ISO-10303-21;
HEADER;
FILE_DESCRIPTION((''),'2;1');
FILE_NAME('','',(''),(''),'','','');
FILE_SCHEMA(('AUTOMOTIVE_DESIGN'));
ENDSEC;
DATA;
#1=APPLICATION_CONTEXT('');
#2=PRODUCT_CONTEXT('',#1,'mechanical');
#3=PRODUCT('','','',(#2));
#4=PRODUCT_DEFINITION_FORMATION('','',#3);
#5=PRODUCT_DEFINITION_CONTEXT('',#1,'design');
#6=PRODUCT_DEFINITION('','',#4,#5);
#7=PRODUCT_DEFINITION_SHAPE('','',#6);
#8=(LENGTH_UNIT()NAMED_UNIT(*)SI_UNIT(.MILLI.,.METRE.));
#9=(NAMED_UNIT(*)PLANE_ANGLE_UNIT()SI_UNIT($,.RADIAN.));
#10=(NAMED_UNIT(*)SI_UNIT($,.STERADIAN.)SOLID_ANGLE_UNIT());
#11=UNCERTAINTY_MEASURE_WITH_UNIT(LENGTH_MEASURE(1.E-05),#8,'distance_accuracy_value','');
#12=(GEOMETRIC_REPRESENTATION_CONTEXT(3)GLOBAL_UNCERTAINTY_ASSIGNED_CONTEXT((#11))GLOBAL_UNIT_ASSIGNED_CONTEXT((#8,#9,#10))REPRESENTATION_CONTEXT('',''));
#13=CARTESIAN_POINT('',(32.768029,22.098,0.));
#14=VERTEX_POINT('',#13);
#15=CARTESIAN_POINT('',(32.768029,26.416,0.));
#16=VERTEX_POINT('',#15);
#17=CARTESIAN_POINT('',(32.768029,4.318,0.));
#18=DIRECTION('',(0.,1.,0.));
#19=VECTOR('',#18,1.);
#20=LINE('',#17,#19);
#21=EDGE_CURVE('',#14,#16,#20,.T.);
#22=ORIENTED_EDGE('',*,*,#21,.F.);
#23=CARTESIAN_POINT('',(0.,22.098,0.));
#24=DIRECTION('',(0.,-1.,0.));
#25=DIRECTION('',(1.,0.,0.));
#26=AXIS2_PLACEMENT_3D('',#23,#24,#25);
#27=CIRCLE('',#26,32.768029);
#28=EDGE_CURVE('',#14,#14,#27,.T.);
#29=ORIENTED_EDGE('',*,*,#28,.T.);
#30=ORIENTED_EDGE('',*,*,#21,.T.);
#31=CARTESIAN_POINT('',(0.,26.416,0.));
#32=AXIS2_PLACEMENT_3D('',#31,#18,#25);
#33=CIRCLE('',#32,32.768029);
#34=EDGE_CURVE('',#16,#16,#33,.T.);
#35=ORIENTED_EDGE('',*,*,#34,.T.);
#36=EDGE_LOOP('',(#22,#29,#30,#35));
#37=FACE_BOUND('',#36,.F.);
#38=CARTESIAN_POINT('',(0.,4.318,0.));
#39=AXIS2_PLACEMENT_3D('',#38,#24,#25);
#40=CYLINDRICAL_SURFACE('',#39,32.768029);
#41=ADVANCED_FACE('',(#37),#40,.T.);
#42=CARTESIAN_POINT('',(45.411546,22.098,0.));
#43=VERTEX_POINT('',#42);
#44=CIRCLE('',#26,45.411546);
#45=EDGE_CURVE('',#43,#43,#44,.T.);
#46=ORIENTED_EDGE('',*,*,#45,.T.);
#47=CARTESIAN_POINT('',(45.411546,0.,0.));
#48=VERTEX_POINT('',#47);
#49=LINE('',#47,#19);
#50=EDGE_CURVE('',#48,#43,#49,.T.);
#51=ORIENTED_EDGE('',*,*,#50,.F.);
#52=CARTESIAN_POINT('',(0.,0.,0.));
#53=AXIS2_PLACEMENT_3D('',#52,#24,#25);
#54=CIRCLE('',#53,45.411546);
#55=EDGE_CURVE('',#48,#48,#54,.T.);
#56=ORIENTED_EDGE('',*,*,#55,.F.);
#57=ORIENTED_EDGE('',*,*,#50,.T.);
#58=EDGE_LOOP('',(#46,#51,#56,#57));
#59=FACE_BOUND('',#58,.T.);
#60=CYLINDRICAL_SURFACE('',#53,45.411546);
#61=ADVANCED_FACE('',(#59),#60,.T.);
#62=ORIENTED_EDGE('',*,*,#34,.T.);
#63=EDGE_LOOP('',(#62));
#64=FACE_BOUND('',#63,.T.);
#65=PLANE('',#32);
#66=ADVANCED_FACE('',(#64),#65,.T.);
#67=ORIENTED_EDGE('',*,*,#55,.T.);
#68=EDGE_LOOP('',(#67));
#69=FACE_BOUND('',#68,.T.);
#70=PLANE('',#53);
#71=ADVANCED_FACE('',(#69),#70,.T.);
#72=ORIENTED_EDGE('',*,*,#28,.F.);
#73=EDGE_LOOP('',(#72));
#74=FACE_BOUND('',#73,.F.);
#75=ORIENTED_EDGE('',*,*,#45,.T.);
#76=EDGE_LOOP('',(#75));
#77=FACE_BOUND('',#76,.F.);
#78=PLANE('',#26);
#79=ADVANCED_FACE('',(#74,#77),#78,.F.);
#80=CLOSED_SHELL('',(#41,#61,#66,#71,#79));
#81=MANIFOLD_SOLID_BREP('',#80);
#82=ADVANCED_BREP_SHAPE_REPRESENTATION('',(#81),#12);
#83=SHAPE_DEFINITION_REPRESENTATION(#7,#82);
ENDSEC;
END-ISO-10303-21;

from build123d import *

# Parameters (mm, degrees)
F0_R       = 32.7680285352
F1_DEPTH   = 4.318
F0_R_2     = 45.4115462629
F1_FACE_R  = 32.7680285352
F1_FACE1_R = 32.7680285352
F2_DEPTH   = 22.098


with BuildPart() as f1:
    # F0 (on Front) → F1 (new body)
    with BuildSketch(Plane.XZ):
        Circle(F0_R)
    extrude(amount=-F1_DEPTH)

    # F0 (on Front) + F1_face (on face) + F1_face1 (on face) → F2 (join)
    with BuildSketch(Plane.XZ):
        Circle(F0_R_2)
        Circle(F0_R, mode=Mode.SUBTRACT)
    with BuildSketch(Plane(origin=(0, 4.318, 0), x_dir=(1, 0, 0), z_dir=(0, 1, 0))):
        Circle(F1_FACE_R)
    with BuildSketch(Plane.XZ):
        Circle(F1_FACE1_R)
    extrude(amount=-F2_DEPTH, dir=(0, -1, 0))


solid = f1.part
